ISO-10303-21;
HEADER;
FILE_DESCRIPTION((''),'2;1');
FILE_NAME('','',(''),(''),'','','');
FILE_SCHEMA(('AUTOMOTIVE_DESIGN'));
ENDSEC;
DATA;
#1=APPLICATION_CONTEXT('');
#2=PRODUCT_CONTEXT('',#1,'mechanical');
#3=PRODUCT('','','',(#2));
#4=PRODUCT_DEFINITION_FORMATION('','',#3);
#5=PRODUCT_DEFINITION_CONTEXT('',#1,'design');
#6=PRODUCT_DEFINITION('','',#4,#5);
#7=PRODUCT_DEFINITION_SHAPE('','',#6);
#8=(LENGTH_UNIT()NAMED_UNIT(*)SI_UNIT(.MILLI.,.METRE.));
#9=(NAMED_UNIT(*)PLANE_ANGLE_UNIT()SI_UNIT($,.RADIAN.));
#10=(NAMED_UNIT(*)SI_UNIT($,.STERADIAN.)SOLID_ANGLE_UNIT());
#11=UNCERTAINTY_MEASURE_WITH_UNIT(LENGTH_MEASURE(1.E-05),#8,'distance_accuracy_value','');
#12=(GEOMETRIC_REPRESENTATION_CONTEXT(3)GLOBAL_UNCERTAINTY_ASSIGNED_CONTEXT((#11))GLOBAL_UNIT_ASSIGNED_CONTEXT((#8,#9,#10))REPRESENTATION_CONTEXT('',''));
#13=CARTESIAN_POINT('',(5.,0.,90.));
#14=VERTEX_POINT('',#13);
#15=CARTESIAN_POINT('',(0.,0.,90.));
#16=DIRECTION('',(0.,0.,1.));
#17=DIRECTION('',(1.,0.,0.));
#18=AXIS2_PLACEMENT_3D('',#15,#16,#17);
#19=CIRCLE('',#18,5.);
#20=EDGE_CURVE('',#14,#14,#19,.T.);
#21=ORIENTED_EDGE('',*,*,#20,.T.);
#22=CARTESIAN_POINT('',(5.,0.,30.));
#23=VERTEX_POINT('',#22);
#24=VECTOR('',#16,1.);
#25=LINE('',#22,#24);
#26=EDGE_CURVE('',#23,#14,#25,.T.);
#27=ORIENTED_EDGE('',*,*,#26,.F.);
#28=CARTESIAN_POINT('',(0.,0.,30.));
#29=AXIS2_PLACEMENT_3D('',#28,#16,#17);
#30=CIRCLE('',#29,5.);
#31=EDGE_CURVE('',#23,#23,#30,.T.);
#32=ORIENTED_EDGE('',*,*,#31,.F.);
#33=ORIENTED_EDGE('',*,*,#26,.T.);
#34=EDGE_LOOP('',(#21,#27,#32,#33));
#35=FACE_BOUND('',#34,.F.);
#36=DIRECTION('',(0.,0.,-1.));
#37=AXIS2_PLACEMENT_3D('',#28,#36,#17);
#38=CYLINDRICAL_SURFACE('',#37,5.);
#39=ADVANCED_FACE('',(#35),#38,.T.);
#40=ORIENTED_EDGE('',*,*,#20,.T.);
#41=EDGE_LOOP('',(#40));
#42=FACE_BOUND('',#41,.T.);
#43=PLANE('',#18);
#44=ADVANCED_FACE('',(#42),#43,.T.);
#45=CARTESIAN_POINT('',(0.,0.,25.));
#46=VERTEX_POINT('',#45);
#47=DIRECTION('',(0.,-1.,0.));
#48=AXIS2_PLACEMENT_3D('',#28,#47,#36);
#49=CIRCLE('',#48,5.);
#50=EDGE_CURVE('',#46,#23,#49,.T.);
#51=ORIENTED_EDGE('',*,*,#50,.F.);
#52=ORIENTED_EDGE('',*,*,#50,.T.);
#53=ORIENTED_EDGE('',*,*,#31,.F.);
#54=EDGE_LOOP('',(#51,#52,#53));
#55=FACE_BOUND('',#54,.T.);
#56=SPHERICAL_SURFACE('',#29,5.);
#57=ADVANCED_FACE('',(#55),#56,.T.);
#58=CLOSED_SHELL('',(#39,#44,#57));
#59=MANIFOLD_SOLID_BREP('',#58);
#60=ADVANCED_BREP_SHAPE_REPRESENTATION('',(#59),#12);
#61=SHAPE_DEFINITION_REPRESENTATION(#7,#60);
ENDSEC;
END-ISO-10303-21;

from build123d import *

# Parameters (mm, degrees)
CYLINDER001_R     = 5
CYLINDER001_DEPTH = 60


with BuildPart() as cylinder001:
    # Cylinder001 → Cylinder001 (new body)
    with BuildSketch(Plane.XY):
        Circle(CYLINDER001_R)
    extrude(amount=CYLINDER001_DEPTH)


with BuildPart() as fusion001:
    # Sphere → Sphere (revolve)
    with BuildSketch(Plane.XZ):
        with BuildLine():
            ThreePointArc((0, -5), (5, 0), (0, 5))
            Line((0, 5), (0, -5))
        make_face()
    revolve(axis=Axis((0, 0, 0), (0, 0, 1)))

    # Fusion001: union Cylinder001
    add(cylinder001.part)


with BuildPart() as fusion001_1:
    # Fusion001 placement: moved
    add(fusion001.part.moved(Location((0, 0, 30))))


solid = fusion001_1.part
